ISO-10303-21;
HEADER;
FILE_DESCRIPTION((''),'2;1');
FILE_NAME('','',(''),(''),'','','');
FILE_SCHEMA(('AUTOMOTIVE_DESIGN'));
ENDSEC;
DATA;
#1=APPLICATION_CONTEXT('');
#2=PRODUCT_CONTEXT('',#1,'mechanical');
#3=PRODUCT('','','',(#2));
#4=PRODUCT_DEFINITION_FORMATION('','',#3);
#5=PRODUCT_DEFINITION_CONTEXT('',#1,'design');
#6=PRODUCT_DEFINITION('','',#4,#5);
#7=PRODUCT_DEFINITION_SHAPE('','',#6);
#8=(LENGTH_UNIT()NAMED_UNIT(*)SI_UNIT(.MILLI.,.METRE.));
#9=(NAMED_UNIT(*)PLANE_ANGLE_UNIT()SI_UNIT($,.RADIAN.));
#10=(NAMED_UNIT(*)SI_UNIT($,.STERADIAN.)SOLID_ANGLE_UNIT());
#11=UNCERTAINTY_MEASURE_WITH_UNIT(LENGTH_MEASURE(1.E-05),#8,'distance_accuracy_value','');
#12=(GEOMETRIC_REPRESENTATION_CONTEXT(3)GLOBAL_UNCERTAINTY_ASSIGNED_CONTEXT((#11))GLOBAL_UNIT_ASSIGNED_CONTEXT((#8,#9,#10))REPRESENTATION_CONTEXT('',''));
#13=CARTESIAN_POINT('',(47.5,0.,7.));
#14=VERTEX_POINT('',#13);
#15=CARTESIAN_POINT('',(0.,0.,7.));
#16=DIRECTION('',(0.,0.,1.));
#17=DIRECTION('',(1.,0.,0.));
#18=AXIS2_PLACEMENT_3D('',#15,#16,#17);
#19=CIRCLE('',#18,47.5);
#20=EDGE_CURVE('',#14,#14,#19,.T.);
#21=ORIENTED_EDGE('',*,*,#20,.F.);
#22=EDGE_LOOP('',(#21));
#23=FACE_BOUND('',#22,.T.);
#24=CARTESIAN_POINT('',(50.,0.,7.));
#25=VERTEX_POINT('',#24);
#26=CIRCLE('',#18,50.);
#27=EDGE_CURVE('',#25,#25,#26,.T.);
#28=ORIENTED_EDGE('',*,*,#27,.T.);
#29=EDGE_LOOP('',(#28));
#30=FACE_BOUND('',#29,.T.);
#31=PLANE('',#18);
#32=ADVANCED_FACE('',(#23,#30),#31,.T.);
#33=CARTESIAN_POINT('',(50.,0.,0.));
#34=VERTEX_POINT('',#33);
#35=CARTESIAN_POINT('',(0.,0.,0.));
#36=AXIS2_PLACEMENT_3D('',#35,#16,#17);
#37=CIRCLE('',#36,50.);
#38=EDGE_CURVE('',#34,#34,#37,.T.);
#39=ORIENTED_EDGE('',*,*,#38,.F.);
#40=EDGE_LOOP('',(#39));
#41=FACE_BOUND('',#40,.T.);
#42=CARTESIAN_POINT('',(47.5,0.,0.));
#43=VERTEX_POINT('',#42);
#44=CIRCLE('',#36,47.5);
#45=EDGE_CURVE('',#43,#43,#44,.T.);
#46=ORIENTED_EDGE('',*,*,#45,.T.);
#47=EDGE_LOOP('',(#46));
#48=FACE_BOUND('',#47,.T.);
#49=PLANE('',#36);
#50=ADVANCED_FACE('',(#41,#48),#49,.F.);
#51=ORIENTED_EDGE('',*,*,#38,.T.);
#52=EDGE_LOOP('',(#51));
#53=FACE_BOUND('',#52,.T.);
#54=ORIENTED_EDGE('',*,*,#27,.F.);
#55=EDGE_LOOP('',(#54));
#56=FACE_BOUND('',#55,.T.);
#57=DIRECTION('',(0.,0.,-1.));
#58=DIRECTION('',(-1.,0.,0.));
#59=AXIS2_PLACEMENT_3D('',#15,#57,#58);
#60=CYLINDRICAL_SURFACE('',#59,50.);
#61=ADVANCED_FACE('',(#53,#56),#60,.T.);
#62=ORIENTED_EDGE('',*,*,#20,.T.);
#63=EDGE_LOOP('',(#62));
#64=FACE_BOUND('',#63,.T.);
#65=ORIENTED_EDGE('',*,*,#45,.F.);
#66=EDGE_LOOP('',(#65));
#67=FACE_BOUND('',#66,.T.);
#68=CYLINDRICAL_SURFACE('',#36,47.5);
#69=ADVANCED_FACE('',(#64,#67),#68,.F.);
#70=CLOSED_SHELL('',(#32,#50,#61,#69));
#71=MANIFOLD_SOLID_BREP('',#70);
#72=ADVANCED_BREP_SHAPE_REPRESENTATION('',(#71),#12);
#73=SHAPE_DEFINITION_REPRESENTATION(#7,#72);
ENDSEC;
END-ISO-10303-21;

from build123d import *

# Parameters (mm, degrees)
SKETCH1_R           = 50
BOSS_EXTRUDE1_DEPTH = 7
SKETCH2_R           = 47.5
CUT_EXTRUDE1_DEPTH  = 7


with BuildPart() as part:
    # Sketch1 → Boss-Extrude1 (new body)
    with BuildSketch(Plane.XY):
        Circle(SKETCH1_R)
    extrude(amount=BOSS_EXTRUDE1_DEPTH)

    # Sketch2 → Cut-Extrude1 (cut)
    with BuildSketch(Plane.XY.offset(7)):
        Circle(SKETCH2_R)
    extrude(amount=-CUT_EXTRUDE1_DEPTH, mode=Mode.SUBTRACT)


solid = part.part
